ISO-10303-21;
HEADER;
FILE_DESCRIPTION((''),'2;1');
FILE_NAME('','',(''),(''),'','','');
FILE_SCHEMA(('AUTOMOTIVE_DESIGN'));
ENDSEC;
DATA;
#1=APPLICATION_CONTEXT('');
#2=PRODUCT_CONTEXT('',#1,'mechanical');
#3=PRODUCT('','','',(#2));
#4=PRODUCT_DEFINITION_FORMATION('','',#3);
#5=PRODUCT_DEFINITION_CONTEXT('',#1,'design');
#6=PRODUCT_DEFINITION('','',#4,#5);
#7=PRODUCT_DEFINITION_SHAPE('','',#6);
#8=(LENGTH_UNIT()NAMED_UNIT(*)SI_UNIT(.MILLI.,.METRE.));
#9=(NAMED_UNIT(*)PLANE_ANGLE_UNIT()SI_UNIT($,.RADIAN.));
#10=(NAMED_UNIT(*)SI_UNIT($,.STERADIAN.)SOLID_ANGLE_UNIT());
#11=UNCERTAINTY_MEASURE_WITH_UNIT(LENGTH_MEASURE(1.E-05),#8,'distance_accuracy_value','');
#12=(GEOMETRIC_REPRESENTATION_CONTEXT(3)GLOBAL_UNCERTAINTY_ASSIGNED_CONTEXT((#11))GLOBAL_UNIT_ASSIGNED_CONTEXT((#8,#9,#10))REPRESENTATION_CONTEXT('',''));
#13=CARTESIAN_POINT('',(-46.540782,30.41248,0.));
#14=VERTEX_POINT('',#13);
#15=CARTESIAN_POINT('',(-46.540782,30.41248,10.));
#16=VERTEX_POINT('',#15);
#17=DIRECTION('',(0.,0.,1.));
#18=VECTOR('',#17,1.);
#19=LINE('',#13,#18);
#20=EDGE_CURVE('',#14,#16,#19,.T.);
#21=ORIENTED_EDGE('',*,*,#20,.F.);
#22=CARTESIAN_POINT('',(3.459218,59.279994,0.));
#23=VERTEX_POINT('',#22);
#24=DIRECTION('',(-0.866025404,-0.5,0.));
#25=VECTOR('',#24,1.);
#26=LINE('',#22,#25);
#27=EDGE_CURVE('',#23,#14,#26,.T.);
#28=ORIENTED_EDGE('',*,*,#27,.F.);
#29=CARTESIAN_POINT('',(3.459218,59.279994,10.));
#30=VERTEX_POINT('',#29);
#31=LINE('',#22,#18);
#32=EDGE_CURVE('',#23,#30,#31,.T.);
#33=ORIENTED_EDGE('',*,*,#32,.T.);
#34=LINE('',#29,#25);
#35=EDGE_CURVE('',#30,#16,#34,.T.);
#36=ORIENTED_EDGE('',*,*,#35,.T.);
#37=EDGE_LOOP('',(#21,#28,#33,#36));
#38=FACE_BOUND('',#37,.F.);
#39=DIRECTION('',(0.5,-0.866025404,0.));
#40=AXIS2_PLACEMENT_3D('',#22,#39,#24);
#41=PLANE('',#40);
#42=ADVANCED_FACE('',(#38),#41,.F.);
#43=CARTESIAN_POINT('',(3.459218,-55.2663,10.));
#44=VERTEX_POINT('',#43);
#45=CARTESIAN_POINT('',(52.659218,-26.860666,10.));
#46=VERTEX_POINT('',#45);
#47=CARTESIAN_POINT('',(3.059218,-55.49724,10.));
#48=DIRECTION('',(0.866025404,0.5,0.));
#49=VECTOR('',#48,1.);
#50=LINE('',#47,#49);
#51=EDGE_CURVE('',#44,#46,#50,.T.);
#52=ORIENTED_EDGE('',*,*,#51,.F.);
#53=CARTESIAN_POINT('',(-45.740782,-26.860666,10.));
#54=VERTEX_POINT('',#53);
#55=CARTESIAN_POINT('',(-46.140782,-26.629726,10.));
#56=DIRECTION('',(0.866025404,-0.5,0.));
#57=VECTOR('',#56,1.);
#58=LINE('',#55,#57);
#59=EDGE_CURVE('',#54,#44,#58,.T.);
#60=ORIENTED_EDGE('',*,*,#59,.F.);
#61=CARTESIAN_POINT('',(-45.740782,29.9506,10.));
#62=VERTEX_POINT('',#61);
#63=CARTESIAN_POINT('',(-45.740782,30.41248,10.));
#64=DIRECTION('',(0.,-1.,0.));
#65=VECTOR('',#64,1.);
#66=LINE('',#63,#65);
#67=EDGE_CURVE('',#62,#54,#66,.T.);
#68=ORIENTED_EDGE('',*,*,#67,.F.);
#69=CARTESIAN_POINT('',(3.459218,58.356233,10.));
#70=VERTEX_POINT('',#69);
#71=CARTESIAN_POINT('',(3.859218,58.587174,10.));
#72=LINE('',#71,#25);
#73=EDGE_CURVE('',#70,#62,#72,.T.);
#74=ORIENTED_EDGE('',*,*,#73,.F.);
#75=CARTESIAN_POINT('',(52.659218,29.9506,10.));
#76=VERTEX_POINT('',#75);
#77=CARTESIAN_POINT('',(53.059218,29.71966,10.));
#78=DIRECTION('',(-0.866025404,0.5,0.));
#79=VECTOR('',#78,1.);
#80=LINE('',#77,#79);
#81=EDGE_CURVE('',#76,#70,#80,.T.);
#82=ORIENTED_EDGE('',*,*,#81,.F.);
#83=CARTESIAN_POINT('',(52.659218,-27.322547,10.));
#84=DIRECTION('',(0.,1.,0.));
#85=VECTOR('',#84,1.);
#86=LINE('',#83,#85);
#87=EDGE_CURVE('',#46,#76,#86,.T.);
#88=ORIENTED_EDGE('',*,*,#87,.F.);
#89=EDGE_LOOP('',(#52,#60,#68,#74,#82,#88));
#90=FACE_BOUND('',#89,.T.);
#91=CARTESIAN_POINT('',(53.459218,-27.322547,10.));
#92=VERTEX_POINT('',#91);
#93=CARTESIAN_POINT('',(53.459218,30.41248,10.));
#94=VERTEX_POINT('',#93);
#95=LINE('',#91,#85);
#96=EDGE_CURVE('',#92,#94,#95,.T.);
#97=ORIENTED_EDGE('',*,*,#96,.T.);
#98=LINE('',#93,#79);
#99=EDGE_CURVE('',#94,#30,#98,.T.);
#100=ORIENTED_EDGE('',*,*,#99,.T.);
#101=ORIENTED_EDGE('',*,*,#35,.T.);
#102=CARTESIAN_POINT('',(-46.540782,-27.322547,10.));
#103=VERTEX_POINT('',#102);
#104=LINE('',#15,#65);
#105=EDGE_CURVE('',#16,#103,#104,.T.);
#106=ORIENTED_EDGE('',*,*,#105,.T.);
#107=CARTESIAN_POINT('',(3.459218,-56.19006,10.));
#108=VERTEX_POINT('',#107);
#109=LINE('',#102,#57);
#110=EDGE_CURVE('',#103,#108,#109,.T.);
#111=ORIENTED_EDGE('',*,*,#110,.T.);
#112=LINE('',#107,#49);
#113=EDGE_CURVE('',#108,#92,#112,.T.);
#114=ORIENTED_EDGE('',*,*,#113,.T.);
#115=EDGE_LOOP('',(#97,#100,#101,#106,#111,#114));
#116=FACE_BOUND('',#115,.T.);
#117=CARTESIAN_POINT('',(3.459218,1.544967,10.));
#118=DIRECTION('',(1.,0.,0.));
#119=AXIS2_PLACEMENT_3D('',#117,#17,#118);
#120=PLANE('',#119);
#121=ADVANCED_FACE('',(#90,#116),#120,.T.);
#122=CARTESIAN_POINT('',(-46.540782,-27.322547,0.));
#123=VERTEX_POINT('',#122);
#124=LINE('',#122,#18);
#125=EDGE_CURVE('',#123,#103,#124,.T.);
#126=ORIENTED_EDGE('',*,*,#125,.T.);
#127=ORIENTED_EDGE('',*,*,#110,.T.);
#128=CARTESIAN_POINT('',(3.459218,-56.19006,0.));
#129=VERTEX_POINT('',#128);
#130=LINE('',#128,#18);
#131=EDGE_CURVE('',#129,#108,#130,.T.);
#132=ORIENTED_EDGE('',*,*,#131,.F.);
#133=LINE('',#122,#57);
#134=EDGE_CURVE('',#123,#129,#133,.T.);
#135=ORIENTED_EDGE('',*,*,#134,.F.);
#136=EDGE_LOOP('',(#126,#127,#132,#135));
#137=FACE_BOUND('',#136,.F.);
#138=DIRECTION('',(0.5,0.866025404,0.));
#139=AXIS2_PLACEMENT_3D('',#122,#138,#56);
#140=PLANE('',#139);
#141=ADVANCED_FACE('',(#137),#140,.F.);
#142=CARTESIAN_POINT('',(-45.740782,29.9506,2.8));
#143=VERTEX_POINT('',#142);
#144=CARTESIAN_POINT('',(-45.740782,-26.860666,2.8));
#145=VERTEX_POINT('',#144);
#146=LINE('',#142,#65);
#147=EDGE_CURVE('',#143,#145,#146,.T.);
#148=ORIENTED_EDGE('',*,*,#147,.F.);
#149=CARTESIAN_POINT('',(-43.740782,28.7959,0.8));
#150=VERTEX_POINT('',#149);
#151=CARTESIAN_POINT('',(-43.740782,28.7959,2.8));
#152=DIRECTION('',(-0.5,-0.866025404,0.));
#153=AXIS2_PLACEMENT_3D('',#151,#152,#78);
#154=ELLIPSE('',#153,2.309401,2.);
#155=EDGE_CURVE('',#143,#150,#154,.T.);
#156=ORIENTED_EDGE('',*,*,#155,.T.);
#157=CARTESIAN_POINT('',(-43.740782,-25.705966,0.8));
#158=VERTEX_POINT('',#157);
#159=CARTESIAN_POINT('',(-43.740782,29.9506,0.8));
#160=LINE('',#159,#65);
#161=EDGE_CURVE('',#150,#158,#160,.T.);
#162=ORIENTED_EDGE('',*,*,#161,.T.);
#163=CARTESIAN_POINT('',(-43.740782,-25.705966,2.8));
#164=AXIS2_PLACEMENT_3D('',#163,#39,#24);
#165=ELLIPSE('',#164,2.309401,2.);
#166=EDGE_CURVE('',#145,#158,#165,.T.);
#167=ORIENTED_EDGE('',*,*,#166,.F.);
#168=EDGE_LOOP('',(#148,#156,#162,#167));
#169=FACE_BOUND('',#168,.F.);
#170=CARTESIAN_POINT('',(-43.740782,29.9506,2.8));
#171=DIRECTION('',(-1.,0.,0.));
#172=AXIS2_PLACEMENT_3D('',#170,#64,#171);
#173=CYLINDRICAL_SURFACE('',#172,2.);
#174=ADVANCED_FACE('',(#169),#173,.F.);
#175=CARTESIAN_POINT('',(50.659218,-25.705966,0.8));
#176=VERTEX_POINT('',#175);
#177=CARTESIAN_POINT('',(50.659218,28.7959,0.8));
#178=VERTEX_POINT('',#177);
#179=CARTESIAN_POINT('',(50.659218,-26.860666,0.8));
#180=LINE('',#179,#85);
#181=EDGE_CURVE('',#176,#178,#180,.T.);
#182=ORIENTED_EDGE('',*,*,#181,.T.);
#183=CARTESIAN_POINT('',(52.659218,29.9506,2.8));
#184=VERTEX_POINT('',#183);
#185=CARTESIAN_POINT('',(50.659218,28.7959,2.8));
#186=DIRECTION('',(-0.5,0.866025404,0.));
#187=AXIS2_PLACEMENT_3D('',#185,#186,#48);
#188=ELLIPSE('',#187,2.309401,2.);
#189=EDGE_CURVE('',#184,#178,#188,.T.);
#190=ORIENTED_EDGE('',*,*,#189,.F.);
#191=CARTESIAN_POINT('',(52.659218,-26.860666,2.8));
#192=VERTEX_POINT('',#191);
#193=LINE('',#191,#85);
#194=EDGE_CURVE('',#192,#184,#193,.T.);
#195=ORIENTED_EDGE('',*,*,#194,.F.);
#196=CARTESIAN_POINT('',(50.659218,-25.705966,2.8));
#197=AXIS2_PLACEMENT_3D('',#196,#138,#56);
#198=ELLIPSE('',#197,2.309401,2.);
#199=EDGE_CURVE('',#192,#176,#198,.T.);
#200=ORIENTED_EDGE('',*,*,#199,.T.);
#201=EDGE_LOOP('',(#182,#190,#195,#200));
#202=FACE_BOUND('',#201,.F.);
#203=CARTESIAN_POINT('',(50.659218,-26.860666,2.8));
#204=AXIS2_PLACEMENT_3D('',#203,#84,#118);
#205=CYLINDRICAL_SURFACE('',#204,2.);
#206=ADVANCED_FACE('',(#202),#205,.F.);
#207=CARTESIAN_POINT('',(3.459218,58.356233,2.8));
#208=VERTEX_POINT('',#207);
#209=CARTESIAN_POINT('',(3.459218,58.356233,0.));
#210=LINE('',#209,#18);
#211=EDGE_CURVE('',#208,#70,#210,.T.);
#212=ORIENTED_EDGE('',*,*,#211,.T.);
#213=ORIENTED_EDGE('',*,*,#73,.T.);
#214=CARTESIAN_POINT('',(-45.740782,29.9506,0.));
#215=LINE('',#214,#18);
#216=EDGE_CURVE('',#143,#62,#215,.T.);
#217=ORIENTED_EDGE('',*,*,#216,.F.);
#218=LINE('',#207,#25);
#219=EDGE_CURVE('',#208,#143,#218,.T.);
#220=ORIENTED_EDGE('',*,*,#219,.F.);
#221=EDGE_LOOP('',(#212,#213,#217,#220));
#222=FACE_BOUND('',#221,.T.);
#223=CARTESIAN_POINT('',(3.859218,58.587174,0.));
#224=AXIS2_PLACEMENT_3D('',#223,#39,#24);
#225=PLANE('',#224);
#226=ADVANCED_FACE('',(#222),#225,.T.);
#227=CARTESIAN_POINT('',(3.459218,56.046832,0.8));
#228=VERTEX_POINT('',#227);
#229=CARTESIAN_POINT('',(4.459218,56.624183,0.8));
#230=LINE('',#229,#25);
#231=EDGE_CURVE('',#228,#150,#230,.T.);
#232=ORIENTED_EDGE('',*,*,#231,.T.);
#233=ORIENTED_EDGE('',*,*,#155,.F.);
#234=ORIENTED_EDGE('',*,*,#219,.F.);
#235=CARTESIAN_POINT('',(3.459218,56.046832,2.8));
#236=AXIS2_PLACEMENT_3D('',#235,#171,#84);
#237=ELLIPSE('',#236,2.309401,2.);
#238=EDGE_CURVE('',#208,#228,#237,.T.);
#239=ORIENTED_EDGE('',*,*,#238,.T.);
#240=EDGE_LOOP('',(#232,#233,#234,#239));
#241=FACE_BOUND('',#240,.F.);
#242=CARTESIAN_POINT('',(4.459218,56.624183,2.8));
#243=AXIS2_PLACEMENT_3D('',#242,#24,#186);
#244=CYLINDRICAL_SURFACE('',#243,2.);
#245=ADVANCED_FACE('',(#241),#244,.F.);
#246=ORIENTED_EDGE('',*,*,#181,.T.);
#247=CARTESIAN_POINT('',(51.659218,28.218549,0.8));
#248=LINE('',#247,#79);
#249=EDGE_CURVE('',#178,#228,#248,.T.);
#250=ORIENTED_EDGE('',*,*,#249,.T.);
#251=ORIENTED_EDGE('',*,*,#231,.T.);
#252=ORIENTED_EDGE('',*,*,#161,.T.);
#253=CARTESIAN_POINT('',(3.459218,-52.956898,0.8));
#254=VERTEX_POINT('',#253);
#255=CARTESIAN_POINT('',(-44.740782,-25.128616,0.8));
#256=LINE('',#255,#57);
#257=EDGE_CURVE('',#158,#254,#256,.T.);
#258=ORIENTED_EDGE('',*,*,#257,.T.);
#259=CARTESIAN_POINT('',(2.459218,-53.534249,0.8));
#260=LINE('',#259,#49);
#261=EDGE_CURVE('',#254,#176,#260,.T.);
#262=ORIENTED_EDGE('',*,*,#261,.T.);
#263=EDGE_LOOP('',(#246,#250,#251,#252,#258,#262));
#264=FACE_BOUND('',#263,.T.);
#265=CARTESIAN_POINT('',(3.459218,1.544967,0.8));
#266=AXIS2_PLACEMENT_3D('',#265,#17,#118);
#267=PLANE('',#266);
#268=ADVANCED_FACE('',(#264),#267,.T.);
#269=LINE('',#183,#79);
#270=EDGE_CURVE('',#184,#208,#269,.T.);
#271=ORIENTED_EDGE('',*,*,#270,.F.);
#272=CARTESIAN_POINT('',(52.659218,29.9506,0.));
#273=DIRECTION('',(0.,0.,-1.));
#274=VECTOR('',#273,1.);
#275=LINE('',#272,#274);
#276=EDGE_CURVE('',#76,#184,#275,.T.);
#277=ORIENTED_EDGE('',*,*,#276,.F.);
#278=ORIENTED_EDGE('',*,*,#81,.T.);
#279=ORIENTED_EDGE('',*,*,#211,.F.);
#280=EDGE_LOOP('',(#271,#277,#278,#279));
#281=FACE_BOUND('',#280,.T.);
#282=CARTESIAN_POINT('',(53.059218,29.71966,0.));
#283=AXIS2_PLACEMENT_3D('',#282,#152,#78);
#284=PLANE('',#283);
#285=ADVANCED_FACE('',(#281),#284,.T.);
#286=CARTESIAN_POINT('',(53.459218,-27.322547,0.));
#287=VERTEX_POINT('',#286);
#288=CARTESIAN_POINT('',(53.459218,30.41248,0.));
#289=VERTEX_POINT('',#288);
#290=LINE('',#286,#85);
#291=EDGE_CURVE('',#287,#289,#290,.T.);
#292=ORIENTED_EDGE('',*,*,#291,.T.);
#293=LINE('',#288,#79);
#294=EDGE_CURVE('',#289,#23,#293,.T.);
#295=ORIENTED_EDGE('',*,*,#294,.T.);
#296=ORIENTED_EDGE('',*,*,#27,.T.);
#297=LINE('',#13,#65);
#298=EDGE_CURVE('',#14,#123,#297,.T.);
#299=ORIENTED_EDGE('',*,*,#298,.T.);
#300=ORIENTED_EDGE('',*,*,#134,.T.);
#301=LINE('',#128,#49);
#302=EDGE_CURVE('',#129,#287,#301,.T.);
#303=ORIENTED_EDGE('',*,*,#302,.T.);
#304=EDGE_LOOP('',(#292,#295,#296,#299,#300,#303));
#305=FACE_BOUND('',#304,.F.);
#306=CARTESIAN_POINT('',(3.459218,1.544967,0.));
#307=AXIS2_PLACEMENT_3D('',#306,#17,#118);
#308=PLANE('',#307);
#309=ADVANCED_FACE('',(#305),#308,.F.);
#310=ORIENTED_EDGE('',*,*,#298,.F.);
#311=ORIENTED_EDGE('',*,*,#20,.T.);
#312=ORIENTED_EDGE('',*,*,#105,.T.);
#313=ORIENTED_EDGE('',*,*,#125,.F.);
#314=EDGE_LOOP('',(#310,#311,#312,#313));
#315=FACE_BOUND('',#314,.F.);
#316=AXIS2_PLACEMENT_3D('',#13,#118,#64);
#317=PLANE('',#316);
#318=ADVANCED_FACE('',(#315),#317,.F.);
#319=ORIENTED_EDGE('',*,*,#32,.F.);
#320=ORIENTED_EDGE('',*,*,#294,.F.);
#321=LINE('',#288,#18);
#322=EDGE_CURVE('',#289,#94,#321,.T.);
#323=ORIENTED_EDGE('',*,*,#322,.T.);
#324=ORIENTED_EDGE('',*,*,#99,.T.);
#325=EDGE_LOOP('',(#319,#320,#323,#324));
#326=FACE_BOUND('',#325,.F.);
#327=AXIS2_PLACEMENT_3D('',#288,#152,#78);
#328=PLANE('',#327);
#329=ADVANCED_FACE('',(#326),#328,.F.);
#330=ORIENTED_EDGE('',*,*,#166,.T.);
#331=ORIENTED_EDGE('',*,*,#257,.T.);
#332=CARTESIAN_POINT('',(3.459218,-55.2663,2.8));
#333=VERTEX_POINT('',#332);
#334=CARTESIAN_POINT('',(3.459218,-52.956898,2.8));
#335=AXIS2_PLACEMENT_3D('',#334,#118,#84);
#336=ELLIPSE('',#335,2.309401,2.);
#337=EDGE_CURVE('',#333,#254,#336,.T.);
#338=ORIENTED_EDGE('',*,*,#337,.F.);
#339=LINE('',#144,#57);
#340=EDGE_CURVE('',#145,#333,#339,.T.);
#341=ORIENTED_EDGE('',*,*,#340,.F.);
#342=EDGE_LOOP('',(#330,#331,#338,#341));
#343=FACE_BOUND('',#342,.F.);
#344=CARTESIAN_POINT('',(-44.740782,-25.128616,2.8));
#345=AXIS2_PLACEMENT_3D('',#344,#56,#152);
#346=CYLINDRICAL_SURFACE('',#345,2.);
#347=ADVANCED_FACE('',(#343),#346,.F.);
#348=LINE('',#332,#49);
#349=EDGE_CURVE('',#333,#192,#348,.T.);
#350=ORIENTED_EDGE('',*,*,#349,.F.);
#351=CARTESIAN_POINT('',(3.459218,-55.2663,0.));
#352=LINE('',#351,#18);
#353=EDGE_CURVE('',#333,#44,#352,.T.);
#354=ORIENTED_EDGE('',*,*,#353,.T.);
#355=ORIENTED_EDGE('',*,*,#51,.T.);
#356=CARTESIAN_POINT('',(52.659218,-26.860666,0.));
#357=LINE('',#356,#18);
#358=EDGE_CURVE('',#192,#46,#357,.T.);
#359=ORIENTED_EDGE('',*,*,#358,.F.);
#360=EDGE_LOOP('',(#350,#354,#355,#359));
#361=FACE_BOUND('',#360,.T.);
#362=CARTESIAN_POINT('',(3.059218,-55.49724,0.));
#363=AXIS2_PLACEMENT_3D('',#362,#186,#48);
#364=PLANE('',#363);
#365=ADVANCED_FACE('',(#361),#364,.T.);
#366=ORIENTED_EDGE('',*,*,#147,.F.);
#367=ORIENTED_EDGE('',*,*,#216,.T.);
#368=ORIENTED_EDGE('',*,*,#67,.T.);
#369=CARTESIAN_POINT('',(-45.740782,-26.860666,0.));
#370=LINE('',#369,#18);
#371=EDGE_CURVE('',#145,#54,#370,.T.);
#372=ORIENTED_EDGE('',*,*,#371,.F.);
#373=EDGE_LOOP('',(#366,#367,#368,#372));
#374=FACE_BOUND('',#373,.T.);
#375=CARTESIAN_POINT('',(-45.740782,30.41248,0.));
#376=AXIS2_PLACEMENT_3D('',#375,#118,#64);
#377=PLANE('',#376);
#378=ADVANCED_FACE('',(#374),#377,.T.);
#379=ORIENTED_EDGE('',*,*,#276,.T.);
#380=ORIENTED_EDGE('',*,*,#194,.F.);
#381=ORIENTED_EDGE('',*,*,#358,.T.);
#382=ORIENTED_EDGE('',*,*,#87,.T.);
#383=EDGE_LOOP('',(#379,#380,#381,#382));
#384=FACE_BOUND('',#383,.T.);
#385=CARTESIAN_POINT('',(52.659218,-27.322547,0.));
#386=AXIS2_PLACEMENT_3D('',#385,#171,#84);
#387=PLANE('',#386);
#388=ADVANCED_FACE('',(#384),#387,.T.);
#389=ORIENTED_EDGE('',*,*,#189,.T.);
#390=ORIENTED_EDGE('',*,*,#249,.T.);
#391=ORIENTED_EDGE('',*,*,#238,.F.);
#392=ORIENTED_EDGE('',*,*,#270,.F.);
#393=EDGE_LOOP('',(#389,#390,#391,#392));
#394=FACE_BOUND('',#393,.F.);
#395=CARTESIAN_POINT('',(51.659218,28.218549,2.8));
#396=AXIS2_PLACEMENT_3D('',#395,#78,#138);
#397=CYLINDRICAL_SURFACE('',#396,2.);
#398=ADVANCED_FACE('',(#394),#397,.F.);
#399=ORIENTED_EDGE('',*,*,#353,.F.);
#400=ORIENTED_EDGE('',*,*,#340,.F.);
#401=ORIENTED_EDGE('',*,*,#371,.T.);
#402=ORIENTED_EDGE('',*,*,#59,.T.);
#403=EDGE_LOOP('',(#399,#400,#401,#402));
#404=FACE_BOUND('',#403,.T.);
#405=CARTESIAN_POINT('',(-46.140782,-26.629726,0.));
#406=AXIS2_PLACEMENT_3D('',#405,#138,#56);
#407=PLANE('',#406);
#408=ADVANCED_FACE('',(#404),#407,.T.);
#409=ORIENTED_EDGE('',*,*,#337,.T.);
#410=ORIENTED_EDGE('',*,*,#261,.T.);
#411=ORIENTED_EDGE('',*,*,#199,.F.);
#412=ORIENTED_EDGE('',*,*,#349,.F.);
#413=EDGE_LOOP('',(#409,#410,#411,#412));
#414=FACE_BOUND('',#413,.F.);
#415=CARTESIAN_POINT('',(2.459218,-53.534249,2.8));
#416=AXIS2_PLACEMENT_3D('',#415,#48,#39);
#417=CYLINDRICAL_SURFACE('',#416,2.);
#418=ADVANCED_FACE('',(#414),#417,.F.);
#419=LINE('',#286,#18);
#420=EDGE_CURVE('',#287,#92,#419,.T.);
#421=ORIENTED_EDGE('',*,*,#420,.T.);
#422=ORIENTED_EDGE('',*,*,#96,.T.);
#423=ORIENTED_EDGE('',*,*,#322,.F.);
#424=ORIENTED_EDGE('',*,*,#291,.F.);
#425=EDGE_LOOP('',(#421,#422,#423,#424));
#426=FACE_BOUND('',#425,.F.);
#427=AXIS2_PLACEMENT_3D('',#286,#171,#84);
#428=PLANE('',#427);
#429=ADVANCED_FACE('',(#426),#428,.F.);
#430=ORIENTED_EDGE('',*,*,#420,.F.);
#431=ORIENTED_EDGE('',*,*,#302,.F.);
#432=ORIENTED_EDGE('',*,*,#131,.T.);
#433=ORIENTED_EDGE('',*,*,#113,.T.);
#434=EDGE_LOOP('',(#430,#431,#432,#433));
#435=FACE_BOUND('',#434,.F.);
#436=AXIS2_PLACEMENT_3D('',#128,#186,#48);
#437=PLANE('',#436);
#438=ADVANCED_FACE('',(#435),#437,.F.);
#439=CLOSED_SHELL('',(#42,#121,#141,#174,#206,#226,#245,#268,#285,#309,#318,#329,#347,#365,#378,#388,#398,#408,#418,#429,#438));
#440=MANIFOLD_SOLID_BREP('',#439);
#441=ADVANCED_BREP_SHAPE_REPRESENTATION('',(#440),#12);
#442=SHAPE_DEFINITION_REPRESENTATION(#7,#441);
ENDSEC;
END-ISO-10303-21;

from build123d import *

# Parameters (mm, degrees)
F1_DEPTH = 10
F2_T     = -0.8
F3_R     = 2


with BuildPart() as f1:
    # F0 (on Top) → F1 (new body)
    with BuildSketch(Plane.XY):
        Polygon((53.4592177784, 30.4124803951), (3.4592177784, 59.2799938546), (-46.5407822216, 30.4124803951), (-46.5407822216, -27.3225465238), (3.4592177784, -56.1900599833), (53.4592177784, -27.3225465238), align=None)
    extrude(amount=F1_DEPTH)

    # F2
    f2_openings = [f1.faces().sort_by_distance(p)[0] for p in [
        (3.459218, 1.544967, 10),
    ]]
    offset(amount=F2_T, openings=f2_openings)

    # F3
    f3_edges = [f1.edges().sort_by_distance(p)[0] for p in [
        (28.059218, -41.063483, 0.8),
        (52.659218, 1.544967, 0.8),
        (28.059218, 44.153417, 0.8),
        (-21.140782, 44.153417, 0.8),
        (-45.740782, 1.544967, 0.8),
        (-21.140782, -41.063483, 0.8),
    ]]
    fillet(f3_edges, radius=F3_R)


solid = f1.part
